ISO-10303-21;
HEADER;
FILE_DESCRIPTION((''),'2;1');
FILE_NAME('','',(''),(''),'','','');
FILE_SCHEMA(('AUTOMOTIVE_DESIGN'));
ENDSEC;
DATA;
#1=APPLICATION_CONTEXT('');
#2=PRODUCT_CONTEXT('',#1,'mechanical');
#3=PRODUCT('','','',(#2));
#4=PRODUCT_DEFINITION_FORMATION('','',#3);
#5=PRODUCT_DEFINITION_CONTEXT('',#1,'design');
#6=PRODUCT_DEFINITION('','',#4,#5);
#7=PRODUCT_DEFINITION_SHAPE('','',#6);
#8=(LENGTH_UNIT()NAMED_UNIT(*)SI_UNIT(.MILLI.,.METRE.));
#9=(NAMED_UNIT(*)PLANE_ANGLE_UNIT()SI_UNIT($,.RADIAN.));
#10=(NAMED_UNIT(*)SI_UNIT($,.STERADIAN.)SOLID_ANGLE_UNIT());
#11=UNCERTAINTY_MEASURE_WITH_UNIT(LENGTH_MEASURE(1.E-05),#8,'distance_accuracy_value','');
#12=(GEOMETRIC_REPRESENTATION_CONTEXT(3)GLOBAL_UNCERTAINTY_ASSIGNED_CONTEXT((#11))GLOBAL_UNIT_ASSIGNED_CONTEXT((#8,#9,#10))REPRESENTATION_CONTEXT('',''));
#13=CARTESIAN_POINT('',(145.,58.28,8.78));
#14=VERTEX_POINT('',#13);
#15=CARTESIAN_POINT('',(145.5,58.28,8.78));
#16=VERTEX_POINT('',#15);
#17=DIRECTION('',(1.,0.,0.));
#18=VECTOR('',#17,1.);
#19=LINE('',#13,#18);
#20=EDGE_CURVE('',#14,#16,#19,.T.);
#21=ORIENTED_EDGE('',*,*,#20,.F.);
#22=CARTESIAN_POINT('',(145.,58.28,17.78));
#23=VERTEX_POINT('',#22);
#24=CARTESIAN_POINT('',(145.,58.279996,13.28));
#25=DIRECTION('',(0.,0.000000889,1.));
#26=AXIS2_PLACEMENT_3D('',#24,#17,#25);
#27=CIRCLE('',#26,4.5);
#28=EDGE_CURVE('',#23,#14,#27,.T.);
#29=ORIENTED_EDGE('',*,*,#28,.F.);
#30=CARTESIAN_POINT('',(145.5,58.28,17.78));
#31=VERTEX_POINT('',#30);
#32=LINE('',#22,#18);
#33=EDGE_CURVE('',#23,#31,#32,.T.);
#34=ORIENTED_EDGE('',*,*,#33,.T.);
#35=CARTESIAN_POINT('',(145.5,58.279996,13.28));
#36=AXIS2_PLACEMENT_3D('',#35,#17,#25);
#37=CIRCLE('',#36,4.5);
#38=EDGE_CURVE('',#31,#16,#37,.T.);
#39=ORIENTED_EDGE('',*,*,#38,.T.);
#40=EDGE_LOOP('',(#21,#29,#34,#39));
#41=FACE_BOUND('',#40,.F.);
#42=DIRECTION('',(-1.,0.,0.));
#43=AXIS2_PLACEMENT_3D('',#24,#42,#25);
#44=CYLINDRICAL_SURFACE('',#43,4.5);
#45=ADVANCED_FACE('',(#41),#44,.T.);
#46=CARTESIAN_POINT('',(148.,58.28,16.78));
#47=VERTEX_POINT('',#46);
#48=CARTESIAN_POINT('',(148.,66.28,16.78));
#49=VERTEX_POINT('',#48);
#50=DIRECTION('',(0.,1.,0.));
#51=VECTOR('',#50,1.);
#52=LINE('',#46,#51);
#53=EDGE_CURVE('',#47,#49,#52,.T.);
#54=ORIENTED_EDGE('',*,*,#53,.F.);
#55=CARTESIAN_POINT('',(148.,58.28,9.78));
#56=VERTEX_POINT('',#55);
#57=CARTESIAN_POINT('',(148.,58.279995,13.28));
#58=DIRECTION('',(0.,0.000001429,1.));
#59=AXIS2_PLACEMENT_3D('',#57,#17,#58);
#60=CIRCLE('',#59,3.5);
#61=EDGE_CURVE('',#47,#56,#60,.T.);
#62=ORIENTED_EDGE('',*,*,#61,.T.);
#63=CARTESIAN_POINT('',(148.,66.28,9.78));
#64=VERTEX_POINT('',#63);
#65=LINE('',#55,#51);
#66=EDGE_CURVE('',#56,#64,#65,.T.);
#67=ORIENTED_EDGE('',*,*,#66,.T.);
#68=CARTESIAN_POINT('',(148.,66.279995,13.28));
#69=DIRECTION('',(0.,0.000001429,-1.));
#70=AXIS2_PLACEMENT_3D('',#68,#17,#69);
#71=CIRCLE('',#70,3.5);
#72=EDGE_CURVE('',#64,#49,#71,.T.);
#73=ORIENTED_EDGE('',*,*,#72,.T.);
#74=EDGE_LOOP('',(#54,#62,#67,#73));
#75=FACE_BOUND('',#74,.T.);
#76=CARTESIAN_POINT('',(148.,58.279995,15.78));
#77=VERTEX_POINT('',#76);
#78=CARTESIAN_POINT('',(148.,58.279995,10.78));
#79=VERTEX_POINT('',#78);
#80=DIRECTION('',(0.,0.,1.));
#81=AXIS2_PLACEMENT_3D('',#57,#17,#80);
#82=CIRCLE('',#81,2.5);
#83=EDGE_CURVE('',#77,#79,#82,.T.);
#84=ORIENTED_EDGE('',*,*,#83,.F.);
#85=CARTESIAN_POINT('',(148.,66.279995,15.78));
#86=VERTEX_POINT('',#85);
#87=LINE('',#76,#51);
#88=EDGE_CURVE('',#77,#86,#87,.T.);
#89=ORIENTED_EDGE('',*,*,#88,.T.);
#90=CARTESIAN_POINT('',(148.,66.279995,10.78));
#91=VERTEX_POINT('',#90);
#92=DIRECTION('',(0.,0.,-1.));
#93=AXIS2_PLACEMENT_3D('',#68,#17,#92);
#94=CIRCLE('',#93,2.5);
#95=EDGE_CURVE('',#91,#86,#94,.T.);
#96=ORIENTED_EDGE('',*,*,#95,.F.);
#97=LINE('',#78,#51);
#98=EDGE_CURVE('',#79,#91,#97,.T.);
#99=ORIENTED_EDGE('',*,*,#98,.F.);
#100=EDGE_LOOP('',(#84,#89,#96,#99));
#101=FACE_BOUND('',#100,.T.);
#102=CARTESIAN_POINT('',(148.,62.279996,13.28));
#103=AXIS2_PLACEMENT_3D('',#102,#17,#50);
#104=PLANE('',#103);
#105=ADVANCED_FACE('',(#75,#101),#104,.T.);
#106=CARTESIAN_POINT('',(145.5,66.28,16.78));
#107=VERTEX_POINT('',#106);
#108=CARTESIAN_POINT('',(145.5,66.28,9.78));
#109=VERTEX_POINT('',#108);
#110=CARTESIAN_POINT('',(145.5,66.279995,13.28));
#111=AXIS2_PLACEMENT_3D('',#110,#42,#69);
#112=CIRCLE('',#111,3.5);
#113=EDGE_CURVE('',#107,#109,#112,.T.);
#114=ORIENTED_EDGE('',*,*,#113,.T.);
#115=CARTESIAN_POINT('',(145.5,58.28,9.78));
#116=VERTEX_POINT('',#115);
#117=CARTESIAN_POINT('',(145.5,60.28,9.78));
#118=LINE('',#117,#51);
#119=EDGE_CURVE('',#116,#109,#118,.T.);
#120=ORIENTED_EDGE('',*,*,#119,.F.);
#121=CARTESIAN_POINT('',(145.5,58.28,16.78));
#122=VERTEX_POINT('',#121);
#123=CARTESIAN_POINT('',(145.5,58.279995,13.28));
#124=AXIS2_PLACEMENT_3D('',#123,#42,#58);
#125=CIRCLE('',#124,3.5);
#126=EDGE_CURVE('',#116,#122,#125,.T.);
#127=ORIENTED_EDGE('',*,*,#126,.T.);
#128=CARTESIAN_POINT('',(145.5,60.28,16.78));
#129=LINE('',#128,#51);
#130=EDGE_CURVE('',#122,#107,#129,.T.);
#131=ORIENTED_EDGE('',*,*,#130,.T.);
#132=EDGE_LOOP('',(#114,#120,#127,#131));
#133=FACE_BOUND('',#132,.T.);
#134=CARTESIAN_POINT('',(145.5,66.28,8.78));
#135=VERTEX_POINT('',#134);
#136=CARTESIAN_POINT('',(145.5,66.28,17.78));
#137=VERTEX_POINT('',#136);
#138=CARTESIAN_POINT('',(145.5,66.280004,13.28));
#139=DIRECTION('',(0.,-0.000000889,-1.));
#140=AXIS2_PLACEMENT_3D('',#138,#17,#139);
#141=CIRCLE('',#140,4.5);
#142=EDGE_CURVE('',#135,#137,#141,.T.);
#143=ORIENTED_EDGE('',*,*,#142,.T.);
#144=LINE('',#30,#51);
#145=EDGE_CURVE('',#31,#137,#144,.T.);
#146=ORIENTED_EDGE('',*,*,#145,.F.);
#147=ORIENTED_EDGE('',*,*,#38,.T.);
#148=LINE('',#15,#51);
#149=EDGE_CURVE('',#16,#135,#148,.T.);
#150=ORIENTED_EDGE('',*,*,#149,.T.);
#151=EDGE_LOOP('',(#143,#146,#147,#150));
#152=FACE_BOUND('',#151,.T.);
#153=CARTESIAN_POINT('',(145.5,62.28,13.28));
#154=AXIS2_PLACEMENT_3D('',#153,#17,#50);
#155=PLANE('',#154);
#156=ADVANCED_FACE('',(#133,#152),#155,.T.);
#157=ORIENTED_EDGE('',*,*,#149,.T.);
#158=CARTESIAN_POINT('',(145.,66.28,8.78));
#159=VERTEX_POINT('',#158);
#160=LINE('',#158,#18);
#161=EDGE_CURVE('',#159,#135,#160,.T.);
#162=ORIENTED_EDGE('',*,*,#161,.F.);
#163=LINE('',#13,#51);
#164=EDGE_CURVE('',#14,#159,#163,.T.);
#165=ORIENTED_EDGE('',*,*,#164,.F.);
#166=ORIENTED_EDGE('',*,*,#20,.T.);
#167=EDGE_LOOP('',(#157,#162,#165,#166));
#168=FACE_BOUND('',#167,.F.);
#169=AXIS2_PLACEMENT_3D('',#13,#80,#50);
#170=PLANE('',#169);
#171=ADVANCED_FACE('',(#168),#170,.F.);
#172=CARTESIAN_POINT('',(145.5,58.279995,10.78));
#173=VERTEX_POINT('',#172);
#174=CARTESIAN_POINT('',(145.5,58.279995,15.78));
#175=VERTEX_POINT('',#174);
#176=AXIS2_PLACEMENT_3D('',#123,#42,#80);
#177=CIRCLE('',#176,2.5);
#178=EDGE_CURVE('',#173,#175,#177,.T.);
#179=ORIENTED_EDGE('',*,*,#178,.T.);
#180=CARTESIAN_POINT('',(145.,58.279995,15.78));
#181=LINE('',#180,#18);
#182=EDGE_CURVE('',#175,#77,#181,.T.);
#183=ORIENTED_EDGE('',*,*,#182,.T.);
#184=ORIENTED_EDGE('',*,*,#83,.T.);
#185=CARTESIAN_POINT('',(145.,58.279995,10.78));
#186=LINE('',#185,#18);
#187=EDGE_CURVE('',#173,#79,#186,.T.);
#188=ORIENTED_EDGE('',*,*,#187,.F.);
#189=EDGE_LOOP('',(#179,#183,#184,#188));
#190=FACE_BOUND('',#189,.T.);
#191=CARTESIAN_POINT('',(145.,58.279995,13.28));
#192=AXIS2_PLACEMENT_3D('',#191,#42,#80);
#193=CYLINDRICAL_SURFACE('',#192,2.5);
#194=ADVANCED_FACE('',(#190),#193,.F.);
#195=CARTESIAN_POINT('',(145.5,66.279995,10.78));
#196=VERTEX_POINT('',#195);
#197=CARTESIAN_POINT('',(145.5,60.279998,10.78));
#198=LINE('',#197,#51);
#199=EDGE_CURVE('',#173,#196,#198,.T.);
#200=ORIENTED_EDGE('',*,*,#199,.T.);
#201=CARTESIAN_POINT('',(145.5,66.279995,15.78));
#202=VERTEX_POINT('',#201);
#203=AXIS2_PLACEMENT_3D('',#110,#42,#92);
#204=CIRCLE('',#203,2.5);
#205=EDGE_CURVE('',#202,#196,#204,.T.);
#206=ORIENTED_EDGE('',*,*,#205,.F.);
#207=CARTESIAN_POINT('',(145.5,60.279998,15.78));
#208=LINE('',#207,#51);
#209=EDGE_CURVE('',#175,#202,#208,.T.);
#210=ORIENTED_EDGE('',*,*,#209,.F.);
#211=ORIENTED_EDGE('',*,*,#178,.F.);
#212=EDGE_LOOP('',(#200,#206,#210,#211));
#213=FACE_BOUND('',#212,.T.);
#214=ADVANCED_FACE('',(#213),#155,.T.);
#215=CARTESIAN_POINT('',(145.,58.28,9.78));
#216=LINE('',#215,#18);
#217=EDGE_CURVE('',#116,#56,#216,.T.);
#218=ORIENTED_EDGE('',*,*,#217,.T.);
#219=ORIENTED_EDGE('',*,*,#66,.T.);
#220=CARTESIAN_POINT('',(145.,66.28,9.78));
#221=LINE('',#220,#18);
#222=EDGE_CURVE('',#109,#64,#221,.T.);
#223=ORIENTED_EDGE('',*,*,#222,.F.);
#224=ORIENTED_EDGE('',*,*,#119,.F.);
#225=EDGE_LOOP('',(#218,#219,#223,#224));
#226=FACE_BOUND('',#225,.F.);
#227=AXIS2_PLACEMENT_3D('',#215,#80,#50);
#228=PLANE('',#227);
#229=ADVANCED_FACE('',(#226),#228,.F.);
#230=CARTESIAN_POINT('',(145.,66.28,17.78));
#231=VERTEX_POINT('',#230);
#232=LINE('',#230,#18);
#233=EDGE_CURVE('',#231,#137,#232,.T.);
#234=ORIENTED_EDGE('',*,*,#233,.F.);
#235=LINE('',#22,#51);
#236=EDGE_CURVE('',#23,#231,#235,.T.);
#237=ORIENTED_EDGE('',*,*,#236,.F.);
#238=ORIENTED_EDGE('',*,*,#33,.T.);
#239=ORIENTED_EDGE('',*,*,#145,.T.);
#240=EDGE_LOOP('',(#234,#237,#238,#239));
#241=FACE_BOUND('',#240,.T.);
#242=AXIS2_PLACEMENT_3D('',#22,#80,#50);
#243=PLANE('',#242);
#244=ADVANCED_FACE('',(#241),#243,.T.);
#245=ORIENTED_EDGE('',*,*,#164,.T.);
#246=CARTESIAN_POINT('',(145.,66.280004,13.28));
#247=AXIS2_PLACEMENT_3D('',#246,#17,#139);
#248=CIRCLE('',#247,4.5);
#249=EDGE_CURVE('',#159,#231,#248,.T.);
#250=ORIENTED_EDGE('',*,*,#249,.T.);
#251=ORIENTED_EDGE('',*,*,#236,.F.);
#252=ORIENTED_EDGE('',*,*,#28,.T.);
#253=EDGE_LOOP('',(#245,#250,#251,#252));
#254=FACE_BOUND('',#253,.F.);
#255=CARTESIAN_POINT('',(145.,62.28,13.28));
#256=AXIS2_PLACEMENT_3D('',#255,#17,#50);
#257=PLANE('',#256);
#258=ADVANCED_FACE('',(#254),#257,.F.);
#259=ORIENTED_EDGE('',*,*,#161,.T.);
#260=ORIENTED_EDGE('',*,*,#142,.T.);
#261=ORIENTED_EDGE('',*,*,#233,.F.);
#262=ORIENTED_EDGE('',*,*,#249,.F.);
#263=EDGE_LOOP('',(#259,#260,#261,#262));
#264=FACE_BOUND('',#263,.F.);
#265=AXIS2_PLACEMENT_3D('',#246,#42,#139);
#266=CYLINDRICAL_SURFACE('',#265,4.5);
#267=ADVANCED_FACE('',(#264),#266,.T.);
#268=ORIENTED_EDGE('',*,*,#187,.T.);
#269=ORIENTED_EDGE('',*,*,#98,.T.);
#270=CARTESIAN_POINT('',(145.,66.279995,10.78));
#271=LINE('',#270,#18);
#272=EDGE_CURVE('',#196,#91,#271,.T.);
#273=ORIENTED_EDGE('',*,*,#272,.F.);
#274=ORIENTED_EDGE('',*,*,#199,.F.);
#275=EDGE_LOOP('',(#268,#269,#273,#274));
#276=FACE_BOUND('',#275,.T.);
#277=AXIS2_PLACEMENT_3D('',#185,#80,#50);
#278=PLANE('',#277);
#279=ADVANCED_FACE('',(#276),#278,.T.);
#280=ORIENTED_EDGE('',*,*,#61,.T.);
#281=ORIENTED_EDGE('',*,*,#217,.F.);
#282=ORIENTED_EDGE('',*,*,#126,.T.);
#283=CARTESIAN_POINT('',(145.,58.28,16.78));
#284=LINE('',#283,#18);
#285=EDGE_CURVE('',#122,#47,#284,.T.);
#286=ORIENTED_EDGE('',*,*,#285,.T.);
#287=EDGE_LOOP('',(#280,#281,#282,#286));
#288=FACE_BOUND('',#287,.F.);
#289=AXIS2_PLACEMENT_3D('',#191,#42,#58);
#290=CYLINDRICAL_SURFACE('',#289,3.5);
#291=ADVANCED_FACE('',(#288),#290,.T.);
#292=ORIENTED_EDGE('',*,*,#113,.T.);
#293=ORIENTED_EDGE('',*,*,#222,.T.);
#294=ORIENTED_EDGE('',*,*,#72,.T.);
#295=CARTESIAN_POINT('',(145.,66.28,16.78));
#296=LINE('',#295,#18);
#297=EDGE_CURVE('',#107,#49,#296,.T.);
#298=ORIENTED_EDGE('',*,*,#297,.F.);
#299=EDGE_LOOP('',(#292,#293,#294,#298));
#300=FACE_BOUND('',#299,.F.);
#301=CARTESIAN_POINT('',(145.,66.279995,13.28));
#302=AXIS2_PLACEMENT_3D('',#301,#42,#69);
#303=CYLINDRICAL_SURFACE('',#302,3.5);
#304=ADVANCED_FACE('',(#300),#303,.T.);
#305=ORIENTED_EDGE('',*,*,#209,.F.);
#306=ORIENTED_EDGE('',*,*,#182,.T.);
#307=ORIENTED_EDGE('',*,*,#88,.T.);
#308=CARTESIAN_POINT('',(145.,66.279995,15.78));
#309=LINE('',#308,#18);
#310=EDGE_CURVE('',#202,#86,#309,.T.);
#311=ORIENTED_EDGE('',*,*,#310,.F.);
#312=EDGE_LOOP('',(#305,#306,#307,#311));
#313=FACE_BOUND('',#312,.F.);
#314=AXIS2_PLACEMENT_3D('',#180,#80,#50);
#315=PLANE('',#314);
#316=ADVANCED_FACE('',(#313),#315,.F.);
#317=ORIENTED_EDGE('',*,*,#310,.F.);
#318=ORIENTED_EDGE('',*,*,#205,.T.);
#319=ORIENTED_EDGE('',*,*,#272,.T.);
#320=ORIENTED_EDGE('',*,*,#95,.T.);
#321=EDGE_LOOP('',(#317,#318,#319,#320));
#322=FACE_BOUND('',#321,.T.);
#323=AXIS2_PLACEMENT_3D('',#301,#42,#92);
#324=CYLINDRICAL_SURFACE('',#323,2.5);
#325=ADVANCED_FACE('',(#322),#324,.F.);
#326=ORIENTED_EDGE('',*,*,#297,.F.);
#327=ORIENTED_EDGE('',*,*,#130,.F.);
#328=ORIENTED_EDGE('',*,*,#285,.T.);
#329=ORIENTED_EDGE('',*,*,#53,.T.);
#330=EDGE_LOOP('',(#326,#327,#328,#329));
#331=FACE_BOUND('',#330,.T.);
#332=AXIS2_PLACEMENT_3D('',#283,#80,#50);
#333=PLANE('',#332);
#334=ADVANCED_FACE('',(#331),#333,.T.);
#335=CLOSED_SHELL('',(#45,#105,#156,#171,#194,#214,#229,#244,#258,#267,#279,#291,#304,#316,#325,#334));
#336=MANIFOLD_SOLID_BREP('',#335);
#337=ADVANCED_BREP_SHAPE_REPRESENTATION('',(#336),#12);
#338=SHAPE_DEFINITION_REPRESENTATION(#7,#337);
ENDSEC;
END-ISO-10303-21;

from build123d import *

# Parameters (mm, degrees)
EXTRUDE002_DEPTH = 0.5
EXTRUDE001_DEPTH = 3


with BuildPart() as extrude002:
    # Sketch002 → Extrude002 (new body)
    with BuildSketch(Plane.YZ):
        with BuildLine():
            Line((58.28, 3.78), (66.28, 3.78))
            ThreePointArc((66.28, 3.78), (70.780004, 8.28), (66.28, 12.78))
            Line((58.28, 12.78), (66.28, 12.78))
            ThreePointArc((58.28, 12.78), (53.779996, 8.28), (58.28, 3.78))
        make_face()
    extrude(amount=EXTRUDE002_DEPTH)


with BuildPart() as extrude002_1:
    # Extrude002 placement: moved
    add(extrude002.part.moved(Location((145, 0, 5))))


with BuildPart() as usb_tap:
    # Sketch001 → Extrude001 (new body)
    with BuildSketch(Plane.YZ):
        with BuildLine():
            Line((58.28, 4.78), (66.28, 4.78))
            ThreePointArc((66.28, 4.78), (69.779995, 8.28), (66.28, 11.78))
            Line((58.28, 11.78), (66.28, 11.78))
            ThreePointArc((58.28, 11.78), (54.779995, 8.28), (58.28, 4.78))
        make_face()
        with BuildLine():
            ThreePointArc((58.279995, 10.78), (55.779995, 8.28), (58.279995, 5.78))
            Line((58.279995, 5.78), (66.279995, 5.78))
            ThreePointArc((66.279995, 5.78), (68.779995, 8.28), (66.279995, 10.78))
            Line((58.279995, 10.78), (66.279995, 10.78))
        make_face(mode=Mode.SUBTRACT)
    extrude(amount=EXTRUDE001_DEPTH)


with BuildPart() as usb_tap_1:
    # Extrude001 placement: moved
    add(usb_tap.part.moved(Location((145, 0, 5))))

    # Fusion062: union Extrude002
    add(extrude002_1.part)


solid = usb_tap_1.part
